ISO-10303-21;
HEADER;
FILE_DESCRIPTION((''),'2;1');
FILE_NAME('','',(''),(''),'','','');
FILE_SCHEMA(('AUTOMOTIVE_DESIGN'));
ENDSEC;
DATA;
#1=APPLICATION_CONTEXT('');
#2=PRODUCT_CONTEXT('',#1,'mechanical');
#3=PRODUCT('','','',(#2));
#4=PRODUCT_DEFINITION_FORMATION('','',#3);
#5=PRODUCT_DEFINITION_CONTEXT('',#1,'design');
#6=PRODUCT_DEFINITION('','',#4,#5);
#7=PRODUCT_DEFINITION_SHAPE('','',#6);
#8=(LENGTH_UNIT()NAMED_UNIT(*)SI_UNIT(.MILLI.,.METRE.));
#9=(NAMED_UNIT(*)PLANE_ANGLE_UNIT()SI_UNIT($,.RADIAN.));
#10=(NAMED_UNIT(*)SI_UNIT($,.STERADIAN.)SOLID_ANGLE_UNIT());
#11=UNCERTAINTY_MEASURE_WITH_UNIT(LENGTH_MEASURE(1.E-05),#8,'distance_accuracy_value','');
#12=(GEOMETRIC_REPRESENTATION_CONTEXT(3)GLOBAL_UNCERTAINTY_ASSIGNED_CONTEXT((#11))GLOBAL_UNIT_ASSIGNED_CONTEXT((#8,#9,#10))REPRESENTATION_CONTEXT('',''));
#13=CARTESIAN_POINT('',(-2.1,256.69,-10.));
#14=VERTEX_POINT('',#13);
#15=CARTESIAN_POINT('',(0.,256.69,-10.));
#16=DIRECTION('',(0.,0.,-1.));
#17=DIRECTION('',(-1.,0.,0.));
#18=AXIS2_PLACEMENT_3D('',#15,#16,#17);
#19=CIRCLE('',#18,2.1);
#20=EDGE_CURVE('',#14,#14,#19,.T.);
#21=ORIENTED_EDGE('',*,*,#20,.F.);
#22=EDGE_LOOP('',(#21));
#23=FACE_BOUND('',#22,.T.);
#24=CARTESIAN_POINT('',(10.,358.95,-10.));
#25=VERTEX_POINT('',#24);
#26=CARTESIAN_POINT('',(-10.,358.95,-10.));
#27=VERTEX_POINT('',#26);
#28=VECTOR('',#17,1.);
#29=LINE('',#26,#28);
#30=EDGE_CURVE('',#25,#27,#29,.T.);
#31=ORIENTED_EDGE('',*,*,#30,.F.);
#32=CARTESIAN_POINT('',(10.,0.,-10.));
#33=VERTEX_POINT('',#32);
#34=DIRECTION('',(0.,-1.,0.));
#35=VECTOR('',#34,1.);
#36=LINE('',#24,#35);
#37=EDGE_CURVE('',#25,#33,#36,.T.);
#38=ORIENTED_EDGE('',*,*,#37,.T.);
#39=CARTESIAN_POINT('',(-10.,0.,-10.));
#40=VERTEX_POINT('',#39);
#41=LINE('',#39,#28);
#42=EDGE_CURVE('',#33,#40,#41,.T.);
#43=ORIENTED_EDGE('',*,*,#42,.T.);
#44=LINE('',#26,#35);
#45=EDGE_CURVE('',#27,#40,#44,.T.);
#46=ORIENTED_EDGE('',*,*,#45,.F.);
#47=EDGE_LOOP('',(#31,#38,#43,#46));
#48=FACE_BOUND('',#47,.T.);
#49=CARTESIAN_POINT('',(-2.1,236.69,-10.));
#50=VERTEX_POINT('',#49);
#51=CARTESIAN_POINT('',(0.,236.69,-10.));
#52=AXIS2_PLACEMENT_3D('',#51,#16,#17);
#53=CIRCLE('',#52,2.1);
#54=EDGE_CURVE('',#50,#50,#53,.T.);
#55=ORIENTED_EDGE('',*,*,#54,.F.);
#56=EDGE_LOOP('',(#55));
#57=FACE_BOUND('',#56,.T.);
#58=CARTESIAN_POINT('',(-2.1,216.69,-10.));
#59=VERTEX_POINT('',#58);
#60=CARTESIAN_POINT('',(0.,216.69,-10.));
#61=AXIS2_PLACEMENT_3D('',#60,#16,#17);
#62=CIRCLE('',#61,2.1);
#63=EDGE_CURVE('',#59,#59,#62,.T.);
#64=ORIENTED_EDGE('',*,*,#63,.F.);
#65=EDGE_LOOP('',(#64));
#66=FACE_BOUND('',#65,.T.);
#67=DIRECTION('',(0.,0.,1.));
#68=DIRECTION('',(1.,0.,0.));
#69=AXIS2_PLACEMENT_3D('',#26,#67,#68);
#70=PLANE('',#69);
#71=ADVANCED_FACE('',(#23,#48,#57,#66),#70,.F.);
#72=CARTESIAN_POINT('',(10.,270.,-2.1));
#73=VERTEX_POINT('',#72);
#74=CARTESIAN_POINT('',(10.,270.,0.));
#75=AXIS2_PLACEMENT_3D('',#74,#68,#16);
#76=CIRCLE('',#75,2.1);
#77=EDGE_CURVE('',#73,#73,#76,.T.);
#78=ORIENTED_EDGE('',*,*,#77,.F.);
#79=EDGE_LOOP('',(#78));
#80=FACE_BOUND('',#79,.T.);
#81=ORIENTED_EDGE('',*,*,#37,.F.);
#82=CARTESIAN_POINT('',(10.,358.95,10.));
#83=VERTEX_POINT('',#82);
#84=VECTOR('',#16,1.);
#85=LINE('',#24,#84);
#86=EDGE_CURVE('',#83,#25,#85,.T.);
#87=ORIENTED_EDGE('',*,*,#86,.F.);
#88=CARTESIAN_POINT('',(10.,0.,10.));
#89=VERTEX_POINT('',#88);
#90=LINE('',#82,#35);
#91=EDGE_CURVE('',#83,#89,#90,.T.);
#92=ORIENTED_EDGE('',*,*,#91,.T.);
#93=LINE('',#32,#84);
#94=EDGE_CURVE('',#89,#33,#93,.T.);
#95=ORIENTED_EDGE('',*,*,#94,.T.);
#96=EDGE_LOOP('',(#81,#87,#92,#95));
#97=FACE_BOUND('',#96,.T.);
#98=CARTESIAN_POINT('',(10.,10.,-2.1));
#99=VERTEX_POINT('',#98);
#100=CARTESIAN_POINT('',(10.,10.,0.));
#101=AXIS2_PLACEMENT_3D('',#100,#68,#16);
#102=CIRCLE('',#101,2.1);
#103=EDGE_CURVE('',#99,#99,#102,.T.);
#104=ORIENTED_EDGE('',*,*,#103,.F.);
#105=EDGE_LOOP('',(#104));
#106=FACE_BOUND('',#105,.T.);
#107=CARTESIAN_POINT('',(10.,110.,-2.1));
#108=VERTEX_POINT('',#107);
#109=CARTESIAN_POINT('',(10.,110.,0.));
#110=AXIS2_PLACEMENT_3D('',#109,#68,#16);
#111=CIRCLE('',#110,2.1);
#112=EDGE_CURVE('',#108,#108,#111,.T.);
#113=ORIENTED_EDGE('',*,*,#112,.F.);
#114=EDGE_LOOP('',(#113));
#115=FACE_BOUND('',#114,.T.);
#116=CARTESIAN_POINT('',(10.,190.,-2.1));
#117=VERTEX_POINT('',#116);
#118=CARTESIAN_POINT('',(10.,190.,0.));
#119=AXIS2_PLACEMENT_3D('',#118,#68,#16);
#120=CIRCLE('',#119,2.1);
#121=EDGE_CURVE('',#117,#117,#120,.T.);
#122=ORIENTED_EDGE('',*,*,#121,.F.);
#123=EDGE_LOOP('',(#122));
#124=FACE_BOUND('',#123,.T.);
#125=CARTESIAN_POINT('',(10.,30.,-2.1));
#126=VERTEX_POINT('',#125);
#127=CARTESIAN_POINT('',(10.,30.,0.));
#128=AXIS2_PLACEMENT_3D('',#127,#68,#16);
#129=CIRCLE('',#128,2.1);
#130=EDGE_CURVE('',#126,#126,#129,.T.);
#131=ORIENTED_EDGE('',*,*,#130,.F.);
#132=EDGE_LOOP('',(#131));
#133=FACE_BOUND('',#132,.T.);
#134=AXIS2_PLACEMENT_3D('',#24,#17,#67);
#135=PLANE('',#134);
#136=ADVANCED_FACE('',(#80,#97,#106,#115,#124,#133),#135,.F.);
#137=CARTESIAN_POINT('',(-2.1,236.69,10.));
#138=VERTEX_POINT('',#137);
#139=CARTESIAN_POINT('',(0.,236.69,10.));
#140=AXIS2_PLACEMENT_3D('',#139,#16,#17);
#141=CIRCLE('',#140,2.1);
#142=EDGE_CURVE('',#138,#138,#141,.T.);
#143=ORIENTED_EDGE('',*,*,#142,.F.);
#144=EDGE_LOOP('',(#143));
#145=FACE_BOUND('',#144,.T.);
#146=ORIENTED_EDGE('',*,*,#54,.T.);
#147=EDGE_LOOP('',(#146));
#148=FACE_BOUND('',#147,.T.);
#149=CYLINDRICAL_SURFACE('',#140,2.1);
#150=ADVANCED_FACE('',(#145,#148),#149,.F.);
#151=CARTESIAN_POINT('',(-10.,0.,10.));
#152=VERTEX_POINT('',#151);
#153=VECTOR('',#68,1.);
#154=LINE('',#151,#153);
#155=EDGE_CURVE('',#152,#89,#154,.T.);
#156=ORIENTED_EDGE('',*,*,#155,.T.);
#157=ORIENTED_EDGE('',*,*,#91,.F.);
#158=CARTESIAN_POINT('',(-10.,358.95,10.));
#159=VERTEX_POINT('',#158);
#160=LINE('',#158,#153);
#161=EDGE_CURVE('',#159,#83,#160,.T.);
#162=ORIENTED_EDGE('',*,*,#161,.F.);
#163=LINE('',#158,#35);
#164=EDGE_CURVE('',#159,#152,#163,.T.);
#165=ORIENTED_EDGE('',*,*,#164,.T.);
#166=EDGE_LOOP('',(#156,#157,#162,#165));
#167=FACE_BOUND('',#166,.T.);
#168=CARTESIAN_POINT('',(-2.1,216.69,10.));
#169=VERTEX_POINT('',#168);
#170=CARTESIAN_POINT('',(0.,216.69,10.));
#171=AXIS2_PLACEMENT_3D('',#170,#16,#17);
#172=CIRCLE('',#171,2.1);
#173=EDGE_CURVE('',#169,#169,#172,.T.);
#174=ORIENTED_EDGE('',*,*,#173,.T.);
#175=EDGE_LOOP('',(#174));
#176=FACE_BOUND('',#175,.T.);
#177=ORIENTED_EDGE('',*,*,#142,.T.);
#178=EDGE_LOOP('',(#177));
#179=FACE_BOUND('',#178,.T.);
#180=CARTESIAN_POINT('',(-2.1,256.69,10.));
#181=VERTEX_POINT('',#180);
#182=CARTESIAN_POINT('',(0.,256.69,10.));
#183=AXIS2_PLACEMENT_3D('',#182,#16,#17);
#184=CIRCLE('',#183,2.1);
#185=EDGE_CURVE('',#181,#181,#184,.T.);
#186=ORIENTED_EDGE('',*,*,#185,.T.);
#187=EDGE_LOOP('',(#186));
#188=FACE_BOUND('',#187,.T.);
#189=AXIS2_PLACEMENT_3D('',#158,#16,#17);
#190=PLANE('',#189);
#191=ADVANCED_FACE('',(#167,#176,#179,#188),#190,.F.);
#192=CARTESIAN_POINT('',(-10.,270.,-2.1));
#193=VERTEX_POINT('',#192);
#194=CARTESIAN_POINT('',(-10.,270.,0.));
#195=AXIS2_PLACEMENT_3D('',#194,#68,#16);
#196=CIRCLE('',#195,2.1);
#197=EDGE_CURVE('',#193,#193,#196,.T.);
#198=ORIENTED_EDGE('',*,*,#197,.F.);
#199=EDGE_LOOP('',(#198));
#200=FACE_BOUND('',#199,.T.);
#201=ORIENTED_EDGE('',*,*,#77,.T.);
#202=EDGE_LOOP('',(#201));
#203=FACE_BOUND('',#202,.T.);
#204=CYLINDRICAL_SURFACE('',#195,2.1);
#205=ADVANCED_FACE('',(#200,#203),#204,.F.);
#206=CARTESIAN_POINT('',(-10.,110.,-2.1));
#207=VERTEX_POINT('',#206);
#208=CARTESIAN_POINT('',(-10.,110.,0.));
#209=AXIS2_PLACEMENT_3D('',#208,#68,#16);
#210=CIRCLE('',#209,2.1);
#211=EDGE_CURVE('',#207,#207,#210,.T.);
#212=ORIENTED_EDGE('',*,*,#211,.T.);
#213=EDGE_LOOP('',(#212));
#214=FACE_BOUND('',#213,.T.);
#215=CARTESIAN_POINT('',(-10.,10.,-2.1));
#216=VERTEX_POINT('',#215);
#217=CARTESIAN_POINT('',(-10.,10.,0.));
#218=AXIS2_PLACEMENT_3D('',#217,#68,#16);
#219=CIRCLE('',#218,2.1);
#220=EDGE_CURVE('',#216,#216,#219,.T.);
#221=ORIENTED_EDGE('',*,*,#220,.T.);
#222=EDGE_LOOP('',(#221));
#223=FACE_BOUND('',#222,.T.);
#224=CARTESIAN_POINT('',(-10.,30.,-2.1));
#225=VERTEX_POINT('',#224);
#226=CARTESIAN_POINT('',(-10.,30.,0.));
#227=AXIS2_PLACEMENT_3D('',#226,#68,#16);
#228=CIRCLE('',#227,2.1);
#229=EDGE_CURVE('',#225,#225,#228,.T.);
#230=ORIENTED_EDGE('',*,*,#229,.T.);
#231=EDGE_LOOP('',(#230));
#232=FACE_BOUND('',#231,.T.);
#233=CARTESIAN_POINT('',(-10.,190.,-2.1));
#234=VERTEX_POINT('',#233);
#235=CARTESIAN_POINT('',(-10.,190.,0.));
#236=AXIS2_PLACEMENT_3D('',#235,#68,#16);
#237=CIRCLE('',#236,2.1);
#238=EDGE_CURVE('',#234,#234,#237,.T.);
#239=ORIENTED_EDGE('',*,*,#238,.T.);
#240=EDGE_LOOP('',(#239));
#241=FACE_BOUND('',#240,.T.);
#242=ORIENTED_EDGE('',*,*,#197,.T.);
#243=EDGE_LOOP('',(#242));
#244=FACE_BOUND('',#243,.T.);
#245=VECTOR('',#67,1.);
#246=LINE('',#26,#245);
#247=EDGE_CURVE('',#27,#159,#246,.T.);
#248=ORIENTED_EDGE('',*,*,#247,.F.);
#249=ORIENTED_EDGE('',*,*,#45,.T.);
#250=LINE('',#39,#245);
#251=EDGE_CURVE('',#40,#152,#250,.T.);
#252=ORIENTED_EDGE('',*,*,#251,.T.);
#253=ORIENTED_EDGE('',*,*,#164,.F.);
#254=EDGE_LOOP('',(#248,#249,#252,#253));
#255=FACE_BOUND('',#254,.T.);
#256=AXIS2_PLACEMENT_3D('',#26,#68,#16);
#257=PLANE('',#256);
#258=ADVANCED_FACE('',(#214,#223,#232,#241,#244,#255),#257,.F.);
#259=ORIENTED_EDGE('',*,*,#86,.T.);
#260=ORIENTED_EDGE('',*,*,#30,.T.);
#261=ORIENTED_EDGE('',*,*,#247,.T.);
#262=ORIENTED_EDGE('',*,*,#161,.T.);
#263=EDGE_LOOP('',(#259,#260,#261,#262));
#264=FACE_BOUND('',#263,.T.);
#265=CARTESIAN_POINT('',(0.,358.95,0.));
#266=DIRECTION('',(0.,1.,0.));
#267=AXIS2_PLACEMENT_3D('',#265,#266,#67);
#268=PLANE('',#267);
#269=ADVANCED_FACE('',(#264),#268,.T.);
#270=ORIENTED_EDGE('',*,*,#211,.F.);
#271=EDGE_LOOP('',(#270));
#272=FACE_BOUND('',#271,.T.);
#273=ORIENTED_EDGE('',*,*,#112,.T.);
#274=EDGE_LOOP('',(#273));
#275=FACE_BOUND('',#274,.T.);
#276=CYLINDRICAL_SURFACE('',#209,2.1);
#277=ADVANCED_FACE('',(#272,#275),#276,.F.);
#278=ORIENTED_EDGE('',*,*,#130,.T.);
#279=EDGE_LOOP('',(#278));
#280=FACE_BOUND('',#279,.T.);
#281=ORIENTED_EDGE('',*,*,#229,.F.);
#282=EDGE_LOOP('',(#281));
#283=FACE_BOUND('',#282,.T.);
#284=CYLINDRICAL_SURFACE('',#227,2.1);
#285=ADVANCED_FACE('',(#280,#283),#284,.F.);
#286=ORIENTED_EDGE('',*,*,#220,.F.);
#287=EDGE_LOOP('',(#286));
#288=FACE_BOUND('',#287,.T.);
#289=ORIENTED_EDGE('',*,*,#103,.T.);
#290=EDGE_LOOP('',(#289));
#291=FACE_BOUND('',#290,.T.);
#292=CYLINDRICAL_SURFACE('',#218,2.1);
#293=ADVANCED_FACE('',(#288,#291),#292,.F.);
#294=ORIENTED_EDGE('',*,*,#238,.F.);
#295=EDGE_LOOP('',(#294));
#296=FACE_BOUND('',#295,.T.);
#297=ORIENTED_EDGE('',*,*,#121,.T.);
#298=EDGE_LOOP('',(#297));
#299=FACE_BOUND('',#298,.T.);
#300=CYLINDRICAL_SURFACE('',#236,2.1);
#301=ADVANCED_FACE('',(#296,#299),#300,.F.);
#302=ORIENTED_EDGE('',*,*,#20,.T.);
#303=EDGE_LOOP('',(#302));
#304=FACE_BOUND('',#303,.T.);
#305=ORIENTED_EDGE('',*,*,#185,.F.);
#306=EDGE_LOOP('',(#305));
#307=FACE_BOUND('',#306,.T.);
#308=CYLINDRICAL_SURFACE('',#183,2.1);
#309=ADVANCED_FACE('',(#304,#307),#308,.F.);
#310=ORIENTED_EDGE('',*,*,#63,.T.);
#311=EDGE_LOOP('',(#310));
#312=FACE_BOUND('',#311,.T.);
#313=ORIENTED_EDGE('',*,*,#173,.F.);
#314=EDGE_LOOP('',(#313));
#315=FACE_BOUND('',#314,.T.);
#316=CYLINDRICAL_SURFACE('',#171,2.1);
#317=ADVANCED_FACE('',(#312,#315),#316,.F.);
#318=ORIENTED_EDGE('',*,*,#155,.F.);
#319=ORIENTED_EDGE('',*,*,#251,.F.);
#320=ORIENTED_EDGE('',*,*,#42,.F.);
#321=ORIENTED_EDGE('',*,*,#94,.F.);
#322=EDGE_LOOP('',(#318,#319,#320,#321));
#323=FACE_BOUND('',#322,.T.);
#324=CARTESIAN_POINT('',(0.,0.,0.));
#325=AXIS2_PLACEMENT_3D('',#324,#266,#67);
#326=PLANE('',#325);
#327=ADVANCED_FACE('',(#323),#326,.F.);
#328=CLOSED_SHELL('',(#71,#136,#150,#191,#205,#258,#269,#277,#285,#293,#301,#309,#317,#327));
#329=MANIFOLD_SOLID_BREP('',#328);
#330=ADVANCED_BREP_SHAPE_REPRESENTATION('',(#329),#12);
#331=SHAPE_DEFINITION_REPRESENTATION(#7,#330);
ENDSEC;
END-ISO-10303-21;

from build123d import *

# Parameters (mm, degrees)
SKETCH_1_W          = 20
SKETCH_1_H          = 20
EXTRUDE_1_DEPTH     = 358.95
SKETCH_2_R          = 2.1
CUT_EXTRUDE_1_DEPTH = 360.645801449
SKETCH_3_R          = 2.1
CUT_EXTRUDE_2_DEPTH = 360.645801449


with BuildPart() as part:
    # 草图1 → 凸台-拉伸1 (new body)
    with BuildSketch(Plane(origin=(0, 0, 0), x_dir=(1, 0, 0), z_dir=(0, 1, 0))):
        Rectangle(SKETCH_1_W, SKETCH_1_H)
    extrude(amount=EXTRUDE_1_DEPTH)

    # 草图2 → 切除-拉伸1 (cut, through all)
    with BuildSketch(Plane(origin=(10, 0, 0), x_dir=(0, 0, -1), z_dir=(1, 0, 0))):
        with Locations((0, 10)):
            Circle(SKETCH_2_R)
        with Locations((0, 30)):
            Circle(SKETCH_2_R)
        with Locations((0, 110)):
            Circle(SKETCH_2_R)
        with Locations((0, 190)):
            Circle(SKETCH_2_R)
        with Locations((0, 270)):
            Circle(SKETCH_2_R)
    extrude(amount=-CUT_EXTRUDE_1_DEPTH, mode=Mode.SUBTRACT)

    # 草图3 → 切除-拉伸2 (cut, through all)
    with BuildSketch(Plane(origin=(0, 0, -10), x_dir=(-1, 0, 0), z_dir=(0, 0, -1))):
        with Locations((0, 216.69)):
            Circle(SKETCH_3_R)
        with Locations((0, 236.69)):
            Circle(SKETCH_3_R)
        with Locations((0, 256.69)):
            Circle(SKETCH_3_R)
    extrude(amount=-CUT_EXTRUDE_2_DEPTH, mode=Mode.SUBTRACT)


solid = part.part
